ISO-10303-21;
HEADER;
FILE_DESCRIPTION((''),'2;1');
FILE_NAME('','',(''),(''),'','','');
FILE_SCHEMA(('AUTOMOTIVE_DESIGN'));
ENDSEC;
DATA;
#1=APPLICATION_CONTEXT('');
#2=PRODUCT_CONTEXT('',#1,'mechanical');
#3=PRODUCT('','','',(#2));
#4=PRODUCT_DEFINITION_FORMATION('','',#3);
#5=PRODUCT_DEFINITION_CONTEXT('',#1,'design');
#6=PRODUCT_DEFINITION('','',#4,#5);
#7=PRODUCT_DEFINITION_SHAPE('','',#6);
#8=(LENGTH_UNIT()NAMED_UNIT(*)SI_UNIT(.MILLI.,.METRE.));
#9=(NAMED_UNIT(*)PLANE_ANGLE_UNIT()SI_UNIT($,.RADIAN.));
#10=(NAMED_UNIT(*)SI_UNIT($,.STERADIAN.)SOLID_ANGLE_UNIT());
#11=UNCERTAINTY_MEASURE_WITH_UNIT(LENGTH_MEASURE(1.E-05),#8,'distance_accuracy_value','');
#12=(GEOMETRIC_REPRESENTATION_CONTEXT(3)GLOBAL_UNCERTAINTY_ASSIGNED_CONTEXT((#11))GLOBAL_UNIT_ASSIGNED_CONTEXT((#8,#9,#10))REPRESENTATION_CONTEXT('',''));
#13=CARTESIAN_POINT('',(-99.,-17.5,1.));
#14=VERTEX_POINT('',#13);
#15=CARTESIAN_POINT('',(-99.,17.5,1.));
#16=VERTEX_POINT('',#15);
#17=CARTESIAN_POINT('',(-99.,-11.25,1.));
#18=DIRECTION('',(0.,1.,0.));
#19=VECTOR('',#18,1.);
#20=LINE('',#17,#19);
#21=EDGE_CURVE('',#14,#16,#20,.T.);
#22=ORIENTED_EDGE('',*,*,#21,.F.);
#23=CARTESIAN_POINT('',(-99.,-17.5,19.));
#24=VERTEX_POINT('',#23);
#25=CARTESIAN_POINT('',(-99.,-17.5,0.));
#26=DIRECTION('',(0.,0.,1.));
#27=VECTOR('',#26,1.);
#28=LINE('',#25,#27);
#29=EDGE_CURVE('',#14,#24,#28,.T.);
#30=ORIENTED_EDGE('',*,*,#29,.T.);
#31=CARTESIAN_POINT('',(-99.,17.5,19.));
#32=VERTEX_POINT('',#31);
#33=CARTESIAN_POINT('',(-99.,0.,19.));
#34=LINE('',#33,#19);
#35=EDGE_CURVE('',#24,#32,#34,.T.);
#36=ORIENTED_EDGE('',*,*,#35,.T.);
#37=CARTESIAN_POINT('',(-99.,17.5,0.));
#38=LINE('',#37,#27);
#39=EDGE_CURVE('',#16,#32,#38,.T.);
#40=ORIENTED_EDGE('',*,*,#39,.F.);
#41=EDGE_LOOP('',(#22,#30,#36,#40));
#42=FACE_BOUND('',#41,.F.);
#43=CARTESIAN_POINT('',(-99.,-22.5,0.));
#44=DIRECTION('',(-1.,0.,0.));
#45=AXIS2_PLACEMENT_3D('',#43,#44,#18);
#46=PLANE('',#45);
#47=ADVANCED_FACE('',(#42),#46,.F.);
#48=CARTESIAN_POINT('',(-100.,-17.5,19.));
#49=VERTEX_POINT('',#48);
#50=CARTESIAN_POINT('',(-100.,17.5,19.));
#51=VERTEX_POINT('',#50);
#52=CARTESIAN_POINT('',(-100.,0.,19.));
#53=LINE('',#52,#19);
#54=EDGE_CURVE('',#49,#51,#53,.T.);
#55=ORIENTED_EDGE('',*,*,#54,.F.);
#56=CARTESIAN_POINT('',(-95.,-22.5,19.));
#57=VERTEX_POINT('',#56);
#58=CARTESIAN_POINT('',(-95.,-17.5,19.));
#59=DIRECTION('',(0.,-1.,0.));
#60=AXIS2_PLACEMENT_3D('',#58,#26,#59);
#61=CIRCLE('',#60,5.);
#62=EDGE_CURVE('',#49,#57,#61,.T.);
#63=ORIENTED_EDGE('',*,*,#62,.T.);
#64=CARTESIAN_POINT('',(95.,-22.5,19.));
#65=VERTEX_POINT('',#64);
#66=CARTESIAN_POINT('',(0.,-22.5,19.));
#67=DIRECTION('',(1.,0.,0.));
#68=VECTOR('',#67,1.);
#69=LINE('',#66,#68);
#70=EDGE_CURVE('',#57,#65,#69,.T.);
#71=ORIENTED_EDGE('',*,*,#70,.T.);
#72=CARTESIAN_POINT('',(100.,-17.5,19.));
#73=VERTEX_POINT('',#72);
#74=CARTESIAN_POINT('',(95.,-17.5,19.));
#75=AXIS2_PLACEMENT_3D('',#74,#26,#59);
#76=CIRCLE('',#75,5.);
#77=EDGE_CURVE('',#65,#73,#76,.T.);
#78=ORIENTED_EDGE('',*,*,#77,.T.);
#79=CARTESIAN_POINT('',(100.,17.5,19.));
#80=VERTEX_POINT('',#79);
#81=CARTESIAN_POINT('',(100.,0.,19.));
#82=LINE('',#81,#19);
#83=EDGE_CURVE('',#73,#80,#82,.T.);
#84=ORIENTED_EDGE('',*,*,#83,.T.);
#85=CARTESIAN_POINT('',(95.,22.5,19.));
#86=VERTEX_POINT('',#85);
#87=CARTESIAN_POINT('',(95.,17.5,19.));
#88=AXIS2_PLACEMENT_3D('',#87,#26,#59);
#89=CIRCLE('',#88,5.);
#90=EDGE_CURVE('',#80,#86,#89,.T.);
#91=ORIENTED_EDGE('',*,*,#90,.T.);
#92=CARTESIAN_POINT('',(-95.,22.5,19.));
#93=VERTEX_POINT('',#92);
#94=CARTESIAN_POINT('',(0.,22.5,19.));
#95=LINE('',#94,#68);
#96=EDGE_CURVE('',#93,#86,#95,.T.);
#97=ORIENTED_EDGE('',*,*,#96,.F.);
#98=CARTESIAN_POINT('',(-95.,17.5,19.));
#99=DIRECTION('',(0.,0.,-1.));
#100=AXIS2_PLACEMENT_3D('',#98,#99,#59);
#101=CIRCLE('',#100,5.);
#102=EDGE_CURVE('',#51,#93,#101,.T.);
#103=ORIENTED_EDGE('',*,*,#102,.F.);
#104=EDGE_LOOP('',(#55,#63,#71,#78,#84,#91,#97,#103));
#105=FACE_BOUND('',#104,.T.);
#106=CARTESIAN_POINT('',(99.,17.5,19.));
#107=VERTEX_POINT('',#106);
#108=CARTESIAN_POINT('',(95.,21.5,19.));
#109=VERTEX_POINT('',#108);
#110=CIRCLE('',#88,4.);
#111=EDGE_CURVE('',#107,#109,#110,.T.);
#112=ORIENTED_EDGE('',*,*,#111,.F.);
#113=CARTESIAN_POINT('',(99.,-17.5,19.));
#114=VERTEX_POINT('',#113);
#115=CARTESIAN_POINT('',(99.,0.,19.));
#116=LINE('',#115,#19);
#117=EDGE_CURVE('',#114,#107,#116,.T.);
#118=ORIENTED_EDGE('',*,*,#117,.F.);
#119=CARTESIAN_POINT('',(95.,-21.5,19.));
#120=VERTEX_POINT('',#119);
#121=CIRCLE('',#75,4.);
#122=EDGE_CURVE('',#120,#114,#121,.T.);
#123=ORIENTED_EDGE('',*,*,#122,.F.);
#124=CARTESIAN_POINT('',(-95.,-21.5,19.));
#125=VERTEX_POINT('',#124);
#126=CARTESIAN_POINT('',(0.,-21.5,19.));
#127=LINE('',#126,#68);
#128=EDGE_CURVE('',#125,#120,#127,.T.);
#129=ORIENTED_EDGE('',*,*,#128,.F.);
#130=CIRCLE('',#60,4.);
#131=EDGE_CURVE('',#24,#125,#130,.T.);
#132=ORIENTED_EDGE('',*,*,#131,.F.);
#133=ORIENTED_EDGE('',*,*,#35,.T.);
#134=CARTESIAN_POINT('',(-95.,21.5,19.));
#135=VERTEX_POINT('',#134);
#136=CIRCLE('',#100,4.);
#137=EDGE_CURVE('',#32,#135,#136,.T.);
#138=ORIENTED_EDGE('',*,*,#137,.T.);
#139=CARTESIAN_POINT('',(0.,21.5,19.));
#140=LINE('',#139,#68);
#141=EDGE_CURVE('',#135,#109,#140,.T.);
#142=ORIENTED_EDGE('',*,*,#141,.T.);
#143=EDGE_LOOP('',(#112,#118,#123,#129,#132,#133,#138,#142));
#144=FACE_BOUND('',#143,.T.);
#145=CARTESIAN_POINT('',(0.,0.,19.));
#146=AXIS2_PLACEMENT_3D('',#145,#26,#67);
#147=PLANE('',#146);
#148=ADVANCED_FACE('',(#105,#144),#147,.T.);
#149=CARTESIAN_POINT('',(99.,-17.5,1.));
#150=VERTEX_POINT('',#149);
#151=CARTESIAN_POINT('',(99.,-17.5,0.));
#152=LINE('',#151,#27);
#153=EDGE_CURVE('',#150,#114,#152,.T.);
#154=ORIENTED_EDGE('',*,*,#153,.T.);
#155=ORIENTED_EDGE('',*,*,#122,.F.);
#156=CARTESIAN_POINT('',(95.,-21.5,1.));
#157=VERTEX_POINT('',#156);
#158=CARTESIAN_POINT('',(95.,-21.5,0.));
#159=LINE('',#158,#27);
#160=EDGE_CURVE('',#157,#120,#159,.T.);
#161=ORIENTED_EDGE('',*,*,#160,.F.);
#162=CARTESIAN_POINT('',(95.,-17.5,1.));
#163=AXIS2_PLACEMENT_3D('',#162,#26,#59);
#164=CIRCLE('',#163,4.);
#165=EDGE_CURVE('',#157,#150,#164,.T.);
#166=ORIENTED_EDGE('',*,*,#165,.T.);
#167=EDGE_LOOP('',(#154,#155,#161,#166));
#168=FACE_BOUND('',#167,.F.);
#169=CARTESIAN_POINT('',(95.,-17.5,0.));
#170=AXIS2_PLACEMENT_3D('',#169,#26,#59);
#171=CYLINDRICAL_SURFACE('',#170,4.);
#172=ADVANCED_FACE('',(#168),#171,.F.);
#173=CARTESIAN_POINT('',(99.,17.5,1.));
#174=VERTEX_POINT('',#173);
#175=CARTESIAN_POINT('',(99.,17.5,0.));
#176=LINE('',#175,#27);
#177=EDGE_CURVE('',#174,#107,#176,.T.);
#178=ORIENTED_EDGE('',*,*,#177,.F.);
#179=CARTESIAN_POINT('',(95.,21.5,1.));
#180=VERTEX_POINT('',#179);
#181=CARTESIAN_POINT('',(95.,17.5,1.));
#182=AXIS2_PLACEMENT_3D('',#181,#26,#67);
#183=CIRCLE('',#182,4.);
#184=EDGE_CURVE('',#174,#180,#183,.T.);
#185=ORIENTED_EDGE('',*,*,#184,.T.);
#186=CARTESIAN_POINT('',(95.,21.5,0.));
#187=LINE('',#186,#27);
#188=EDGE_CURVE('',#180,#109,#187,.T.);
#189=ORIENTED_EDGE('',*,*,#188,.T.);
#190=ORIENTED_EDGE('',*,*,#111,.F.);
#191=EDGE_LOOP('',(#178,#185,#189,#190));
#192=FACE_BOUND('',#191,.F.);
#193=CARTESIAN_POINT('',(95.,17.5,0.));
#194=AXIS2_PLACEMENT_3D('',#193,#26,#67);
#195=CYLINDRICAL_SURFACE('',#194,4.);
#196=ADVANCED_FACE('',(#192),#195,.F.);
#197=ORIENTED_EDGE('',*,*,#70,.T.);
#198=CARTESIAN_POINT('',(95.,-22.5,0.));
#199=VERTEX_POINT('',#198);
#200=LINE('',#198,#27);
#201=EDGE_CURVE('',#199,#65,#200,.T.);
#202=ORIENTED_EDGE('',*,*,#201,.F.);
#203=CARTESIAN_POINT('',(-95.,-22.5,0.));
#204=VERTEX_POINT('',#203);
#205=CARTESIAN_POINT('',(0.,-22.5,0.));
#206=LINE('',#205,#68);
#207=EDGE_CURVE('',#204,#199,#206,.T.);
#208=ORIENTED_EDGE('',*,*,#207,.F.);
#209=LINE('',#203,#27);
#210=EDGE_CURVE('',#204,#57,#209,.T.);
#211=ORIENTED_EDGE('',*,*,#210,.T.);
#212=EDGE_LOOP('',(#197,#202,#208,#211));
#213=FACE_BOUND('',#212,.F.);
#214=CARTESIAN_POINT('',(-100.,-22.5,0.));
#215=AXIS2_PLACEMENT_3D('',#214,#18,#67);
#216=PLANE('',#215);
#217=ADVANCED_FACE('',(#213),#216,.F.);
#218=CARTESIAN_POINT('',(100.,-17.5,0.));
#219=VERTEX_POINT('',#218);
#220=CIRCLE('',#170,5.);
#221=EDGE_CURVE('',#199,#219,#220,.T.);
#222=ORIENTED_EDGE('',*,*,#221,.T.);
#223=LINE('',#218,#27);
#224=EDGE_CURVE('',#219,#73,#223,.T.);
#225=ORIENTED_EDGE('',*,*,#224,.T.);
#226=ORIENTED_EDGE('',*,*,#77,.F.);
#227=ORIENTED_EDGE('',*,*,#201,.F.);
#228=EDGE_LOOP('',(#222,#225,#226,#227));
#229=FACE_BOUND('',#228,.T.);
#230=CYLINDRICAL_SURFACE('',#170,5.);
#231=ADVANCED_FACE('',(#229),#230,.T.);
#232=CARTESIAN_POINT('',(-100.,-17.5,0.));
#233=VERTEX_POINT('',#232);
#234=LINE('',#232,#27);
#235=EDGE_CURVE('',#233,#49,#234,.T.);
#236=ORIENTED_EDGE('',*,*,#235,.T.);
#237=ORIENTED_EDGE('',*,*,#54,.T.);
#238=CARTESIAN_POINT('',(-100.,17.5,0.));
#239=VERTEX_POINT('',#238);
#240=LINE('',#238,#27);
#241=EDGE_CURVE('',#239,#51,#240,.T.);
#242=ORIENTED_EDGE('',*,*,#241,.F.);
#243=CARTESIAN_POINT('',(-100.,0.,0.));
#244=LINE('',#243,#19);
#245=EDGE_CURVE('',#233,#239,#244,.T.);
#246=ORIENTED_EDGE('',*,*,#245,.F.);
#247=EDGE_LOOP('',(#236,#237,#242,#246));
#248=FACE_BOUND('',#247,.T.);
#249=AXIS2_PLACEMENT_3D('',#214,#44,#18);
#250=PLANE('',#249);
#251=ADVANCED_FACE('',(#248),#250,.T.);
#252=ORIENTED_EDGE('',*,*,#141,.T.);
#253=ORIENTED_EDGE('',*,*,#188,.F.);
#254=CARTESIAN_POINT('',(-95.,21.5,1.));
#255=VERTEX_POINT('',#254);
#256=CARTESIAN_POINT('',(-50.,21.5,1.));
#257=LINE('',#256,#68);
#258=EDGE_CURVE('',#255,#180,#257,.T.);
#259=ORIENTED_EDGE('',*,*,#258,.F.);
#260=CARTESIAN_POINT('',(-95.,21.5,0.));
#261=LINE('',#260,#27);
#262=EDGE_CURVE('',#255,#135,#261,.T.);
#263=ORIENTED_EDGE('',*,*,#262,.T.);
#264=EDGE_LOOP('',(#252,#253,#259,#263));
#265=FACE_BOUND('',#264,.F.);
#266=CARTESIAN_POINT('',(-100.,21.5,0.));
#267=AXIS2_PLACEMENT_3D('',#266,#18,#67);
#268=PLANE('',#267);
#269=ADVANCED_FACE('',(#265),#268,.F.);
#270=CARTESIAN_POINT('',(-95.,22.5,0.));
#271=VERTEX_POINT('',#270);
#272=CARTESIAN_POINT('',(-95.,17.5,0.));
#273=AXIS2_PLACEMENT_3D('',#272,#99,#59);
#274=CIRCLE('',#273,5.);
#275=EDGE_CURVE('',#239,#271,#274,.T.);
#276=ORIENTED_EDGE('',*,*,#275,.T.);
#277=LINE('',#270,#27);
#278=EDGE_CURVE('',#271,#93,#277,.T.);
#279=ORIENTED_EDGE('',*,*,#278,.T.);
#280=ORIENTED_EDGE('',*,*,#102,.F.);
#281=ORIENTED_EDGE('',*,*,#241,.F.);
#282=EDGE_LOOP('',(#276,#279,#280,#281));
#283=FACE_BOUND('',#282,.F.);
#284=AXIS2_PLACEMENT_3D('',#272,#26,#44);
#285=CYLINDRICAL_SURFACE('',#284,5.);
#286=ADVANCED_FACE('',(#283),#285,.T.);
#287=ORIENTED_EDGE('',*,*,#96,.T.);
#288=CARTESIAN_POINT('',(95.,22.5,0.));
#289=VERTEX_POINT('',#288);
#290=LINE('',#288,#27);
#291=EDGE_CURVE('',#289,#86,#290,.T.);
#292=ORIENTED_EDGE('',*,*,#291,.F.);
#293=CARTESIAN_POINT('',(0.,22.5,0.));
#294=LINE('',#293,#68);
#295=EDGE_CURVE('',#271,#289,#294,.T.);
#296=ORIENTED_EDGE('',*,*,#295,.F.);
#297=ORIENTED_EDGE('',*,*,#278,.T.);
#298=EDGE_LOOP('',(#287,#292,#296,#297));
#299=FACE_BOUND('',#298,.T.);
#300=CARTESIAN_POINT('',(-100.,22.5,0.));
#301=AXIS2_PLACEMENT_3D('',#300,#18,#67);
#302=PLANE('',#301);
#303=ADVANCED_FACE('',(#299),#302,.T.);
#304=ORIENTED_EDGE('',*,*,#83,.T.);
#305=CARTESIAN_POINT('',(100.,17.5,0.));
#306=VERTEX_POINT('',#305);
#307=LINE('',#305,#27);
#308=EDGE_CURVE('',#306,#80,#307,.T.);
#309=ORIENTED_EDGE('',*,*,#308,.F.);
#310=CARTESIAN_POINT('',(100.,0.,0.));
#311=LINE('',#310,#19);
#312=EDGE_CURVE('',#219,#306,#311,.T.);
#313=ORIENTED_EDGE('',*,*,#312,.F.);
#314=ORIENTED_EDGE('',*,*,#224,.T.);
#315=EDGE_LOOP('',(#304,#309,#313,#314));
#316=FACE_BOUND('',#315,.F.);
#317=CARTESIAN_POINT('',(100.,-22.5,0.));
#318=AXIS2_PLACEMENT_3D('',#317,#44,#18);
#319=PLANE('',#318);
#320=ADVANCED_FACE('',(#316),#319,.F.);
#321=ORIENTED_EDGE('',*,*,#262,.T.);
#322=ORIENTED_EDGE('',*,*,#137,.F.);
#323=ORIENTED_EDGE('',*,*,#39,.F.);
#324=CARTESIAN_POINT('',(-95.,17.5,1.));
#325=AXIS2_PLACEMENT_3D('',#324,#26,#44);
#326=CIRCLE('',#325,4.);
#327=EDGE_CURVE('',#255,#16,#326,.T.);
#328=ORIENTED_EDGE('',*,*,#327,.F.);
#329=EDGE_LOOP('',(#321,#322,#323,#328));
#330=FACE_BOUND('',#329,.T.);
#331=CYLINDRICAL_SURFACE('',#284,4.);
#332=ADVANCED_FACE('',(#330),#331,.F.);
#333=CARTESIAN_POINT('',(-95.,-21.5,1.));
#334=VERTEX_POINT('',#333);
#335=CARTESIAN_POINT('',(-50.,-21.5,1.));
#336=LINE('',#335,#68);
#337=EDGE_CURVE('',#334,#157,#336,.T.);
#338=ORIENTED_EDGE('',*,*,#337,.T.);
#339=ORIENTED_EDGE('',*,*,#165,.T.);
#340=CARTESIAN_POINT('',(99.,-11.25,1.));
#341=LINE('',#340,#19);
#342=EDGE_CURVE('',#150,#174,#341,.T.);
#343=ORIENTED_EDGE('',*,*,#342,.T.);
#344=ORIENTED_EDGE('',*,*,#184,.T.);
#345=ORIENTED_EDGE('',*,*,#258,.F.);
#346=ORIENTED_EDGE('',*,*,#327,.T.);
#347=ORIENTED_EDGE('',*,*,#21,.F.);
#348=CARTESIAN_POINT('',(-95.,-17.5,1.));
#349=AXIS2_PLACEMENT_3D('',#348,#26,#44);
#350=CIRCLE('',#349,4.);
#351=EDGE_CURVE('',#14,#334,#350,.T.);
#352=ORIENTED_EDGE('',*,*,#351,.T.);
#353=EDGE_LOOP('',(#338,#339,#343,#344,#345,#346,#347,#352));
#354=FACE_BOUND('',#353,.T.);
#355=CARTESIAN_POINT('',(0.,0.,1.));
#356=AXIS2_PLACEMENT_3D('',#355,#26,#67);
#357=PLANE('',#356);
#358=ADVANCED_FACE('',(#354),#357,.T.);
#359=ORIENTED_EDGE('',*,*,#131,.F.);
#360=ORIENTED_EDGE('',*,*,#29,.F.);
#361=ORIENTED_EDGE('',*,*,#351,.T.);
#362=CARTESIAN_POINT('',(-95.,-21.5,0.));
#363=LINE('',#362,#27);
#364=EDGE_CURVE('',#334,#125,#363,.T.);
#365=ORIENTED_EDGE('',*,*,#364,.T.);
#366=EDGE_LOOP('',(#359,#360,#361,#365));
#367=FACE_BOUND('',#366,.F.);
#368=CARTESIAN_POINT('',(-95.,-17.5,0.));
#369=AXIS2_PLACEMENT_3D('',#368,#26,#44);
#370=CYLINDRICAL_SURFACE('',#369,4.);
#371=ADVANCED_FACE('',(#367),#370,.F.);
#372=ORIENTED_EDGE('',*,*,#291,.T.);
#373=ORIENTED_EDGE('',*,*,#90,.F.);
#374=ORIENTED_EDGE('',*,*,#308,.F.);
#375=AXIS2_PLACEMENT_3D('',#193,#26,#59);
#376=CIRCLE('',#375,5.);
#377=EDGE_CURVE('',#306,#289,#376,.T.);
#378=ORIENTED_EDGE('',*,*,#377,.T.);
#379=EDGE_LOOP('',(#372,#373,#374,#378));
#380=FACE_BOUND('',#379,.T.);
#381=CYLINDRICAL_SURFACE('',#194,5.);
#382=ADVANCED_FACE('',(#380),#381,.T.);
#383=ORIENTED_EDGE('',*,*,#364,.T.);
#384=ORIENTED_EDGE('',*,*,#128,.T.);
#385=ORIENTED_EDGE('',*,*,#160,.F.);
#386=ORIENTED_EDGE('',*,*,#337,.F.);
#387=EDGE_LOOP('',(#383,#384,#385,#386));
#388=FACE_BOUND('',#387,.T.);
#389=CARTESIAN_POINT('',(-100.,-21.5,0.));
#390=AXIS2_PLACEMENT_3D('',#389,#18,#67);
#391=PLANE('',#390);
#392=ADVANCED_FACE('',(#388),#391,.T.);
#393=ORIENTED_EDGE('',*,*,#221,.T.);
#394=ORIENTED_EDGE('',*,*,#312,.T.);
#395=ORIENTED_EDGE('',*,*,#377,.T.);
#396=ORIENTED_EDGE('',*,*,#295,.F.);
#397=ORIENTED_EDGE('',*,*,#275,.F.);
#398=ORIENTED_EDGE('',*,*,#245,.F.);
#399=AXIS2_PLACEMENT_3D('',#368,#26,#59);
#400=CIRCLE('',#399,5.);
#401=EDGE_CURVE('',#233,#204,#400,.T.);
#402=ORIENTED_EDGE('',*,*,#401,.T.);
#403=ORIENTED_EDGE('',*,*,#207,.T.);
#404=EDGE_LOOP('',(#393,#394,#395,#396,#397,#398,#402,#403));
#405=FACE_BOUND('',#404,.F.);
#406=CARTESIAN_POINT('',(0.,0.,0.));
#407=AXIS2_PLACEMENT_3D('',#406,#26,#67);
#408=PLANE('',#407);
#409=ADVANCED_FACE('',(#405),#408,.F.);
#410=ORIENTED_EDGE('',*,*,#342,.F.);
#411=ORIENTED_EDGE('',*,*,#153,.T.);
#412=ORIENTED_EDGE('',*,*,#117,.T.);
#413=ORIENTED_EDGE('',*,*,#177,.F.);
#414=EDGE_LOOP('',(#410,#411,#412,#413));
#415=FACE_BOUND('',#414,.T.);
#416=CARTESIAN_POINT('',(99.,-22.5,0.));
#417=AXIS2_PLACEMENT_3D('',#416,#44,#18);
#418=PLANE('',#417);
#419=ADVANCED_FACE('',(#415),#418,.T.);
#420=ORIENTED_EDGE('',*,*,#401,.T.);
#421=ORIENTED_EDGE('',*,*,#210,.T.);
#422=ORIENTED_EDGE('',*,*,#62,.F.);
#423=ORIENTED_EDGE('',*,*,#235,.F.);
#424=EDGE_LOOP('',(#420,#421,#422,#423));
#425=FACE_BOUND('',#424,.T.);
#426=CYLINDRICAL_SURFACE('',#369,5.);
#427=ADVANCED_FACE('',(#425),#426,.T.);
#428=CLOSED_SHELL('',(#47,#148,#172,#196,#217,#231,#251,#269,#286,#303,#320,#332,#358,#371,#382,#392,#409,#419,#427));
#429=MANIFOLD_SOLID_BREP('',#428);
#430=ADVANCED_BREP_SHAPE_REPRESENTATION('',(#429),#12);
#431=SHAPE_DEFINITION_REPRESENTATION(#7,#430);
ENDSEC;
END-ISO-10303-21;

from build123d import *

# Parameters (mm, degrees)
SKETCH_W    = 200
SKETCH_H    = 45
PAD_DEPTH   = 19
FILLET_R    = 5
THICKNESS_T = -1


with BuildPart() as part:
    # Sketch → Pad (new body)
    with BuildSketch(Plane.XY):
        Rectangle(SKETCH_W, SKETCH_H)
    extrude(amount=PAD_DEPTH)

    # Fillet
    fillet_edges = [part.edges().sort_by_distance(p)[0] for p in [
        (-100, -22.5, 9.5),
        (-100, 22.5, 9.5),
        (100, -22.5, 9.5),
        (100, 22.5, 9.5),
    ]]
    fillet(fillet_edges, radius=FILLET_R)

    # Thickness
    thickness_openings = [part.faces().sort_by_distance(p)[0] for p in [
        (0, 0, 19),
    ]]
    offset(amount=THICKNESS_T, openings=thickness_openings)


solid = part.part
